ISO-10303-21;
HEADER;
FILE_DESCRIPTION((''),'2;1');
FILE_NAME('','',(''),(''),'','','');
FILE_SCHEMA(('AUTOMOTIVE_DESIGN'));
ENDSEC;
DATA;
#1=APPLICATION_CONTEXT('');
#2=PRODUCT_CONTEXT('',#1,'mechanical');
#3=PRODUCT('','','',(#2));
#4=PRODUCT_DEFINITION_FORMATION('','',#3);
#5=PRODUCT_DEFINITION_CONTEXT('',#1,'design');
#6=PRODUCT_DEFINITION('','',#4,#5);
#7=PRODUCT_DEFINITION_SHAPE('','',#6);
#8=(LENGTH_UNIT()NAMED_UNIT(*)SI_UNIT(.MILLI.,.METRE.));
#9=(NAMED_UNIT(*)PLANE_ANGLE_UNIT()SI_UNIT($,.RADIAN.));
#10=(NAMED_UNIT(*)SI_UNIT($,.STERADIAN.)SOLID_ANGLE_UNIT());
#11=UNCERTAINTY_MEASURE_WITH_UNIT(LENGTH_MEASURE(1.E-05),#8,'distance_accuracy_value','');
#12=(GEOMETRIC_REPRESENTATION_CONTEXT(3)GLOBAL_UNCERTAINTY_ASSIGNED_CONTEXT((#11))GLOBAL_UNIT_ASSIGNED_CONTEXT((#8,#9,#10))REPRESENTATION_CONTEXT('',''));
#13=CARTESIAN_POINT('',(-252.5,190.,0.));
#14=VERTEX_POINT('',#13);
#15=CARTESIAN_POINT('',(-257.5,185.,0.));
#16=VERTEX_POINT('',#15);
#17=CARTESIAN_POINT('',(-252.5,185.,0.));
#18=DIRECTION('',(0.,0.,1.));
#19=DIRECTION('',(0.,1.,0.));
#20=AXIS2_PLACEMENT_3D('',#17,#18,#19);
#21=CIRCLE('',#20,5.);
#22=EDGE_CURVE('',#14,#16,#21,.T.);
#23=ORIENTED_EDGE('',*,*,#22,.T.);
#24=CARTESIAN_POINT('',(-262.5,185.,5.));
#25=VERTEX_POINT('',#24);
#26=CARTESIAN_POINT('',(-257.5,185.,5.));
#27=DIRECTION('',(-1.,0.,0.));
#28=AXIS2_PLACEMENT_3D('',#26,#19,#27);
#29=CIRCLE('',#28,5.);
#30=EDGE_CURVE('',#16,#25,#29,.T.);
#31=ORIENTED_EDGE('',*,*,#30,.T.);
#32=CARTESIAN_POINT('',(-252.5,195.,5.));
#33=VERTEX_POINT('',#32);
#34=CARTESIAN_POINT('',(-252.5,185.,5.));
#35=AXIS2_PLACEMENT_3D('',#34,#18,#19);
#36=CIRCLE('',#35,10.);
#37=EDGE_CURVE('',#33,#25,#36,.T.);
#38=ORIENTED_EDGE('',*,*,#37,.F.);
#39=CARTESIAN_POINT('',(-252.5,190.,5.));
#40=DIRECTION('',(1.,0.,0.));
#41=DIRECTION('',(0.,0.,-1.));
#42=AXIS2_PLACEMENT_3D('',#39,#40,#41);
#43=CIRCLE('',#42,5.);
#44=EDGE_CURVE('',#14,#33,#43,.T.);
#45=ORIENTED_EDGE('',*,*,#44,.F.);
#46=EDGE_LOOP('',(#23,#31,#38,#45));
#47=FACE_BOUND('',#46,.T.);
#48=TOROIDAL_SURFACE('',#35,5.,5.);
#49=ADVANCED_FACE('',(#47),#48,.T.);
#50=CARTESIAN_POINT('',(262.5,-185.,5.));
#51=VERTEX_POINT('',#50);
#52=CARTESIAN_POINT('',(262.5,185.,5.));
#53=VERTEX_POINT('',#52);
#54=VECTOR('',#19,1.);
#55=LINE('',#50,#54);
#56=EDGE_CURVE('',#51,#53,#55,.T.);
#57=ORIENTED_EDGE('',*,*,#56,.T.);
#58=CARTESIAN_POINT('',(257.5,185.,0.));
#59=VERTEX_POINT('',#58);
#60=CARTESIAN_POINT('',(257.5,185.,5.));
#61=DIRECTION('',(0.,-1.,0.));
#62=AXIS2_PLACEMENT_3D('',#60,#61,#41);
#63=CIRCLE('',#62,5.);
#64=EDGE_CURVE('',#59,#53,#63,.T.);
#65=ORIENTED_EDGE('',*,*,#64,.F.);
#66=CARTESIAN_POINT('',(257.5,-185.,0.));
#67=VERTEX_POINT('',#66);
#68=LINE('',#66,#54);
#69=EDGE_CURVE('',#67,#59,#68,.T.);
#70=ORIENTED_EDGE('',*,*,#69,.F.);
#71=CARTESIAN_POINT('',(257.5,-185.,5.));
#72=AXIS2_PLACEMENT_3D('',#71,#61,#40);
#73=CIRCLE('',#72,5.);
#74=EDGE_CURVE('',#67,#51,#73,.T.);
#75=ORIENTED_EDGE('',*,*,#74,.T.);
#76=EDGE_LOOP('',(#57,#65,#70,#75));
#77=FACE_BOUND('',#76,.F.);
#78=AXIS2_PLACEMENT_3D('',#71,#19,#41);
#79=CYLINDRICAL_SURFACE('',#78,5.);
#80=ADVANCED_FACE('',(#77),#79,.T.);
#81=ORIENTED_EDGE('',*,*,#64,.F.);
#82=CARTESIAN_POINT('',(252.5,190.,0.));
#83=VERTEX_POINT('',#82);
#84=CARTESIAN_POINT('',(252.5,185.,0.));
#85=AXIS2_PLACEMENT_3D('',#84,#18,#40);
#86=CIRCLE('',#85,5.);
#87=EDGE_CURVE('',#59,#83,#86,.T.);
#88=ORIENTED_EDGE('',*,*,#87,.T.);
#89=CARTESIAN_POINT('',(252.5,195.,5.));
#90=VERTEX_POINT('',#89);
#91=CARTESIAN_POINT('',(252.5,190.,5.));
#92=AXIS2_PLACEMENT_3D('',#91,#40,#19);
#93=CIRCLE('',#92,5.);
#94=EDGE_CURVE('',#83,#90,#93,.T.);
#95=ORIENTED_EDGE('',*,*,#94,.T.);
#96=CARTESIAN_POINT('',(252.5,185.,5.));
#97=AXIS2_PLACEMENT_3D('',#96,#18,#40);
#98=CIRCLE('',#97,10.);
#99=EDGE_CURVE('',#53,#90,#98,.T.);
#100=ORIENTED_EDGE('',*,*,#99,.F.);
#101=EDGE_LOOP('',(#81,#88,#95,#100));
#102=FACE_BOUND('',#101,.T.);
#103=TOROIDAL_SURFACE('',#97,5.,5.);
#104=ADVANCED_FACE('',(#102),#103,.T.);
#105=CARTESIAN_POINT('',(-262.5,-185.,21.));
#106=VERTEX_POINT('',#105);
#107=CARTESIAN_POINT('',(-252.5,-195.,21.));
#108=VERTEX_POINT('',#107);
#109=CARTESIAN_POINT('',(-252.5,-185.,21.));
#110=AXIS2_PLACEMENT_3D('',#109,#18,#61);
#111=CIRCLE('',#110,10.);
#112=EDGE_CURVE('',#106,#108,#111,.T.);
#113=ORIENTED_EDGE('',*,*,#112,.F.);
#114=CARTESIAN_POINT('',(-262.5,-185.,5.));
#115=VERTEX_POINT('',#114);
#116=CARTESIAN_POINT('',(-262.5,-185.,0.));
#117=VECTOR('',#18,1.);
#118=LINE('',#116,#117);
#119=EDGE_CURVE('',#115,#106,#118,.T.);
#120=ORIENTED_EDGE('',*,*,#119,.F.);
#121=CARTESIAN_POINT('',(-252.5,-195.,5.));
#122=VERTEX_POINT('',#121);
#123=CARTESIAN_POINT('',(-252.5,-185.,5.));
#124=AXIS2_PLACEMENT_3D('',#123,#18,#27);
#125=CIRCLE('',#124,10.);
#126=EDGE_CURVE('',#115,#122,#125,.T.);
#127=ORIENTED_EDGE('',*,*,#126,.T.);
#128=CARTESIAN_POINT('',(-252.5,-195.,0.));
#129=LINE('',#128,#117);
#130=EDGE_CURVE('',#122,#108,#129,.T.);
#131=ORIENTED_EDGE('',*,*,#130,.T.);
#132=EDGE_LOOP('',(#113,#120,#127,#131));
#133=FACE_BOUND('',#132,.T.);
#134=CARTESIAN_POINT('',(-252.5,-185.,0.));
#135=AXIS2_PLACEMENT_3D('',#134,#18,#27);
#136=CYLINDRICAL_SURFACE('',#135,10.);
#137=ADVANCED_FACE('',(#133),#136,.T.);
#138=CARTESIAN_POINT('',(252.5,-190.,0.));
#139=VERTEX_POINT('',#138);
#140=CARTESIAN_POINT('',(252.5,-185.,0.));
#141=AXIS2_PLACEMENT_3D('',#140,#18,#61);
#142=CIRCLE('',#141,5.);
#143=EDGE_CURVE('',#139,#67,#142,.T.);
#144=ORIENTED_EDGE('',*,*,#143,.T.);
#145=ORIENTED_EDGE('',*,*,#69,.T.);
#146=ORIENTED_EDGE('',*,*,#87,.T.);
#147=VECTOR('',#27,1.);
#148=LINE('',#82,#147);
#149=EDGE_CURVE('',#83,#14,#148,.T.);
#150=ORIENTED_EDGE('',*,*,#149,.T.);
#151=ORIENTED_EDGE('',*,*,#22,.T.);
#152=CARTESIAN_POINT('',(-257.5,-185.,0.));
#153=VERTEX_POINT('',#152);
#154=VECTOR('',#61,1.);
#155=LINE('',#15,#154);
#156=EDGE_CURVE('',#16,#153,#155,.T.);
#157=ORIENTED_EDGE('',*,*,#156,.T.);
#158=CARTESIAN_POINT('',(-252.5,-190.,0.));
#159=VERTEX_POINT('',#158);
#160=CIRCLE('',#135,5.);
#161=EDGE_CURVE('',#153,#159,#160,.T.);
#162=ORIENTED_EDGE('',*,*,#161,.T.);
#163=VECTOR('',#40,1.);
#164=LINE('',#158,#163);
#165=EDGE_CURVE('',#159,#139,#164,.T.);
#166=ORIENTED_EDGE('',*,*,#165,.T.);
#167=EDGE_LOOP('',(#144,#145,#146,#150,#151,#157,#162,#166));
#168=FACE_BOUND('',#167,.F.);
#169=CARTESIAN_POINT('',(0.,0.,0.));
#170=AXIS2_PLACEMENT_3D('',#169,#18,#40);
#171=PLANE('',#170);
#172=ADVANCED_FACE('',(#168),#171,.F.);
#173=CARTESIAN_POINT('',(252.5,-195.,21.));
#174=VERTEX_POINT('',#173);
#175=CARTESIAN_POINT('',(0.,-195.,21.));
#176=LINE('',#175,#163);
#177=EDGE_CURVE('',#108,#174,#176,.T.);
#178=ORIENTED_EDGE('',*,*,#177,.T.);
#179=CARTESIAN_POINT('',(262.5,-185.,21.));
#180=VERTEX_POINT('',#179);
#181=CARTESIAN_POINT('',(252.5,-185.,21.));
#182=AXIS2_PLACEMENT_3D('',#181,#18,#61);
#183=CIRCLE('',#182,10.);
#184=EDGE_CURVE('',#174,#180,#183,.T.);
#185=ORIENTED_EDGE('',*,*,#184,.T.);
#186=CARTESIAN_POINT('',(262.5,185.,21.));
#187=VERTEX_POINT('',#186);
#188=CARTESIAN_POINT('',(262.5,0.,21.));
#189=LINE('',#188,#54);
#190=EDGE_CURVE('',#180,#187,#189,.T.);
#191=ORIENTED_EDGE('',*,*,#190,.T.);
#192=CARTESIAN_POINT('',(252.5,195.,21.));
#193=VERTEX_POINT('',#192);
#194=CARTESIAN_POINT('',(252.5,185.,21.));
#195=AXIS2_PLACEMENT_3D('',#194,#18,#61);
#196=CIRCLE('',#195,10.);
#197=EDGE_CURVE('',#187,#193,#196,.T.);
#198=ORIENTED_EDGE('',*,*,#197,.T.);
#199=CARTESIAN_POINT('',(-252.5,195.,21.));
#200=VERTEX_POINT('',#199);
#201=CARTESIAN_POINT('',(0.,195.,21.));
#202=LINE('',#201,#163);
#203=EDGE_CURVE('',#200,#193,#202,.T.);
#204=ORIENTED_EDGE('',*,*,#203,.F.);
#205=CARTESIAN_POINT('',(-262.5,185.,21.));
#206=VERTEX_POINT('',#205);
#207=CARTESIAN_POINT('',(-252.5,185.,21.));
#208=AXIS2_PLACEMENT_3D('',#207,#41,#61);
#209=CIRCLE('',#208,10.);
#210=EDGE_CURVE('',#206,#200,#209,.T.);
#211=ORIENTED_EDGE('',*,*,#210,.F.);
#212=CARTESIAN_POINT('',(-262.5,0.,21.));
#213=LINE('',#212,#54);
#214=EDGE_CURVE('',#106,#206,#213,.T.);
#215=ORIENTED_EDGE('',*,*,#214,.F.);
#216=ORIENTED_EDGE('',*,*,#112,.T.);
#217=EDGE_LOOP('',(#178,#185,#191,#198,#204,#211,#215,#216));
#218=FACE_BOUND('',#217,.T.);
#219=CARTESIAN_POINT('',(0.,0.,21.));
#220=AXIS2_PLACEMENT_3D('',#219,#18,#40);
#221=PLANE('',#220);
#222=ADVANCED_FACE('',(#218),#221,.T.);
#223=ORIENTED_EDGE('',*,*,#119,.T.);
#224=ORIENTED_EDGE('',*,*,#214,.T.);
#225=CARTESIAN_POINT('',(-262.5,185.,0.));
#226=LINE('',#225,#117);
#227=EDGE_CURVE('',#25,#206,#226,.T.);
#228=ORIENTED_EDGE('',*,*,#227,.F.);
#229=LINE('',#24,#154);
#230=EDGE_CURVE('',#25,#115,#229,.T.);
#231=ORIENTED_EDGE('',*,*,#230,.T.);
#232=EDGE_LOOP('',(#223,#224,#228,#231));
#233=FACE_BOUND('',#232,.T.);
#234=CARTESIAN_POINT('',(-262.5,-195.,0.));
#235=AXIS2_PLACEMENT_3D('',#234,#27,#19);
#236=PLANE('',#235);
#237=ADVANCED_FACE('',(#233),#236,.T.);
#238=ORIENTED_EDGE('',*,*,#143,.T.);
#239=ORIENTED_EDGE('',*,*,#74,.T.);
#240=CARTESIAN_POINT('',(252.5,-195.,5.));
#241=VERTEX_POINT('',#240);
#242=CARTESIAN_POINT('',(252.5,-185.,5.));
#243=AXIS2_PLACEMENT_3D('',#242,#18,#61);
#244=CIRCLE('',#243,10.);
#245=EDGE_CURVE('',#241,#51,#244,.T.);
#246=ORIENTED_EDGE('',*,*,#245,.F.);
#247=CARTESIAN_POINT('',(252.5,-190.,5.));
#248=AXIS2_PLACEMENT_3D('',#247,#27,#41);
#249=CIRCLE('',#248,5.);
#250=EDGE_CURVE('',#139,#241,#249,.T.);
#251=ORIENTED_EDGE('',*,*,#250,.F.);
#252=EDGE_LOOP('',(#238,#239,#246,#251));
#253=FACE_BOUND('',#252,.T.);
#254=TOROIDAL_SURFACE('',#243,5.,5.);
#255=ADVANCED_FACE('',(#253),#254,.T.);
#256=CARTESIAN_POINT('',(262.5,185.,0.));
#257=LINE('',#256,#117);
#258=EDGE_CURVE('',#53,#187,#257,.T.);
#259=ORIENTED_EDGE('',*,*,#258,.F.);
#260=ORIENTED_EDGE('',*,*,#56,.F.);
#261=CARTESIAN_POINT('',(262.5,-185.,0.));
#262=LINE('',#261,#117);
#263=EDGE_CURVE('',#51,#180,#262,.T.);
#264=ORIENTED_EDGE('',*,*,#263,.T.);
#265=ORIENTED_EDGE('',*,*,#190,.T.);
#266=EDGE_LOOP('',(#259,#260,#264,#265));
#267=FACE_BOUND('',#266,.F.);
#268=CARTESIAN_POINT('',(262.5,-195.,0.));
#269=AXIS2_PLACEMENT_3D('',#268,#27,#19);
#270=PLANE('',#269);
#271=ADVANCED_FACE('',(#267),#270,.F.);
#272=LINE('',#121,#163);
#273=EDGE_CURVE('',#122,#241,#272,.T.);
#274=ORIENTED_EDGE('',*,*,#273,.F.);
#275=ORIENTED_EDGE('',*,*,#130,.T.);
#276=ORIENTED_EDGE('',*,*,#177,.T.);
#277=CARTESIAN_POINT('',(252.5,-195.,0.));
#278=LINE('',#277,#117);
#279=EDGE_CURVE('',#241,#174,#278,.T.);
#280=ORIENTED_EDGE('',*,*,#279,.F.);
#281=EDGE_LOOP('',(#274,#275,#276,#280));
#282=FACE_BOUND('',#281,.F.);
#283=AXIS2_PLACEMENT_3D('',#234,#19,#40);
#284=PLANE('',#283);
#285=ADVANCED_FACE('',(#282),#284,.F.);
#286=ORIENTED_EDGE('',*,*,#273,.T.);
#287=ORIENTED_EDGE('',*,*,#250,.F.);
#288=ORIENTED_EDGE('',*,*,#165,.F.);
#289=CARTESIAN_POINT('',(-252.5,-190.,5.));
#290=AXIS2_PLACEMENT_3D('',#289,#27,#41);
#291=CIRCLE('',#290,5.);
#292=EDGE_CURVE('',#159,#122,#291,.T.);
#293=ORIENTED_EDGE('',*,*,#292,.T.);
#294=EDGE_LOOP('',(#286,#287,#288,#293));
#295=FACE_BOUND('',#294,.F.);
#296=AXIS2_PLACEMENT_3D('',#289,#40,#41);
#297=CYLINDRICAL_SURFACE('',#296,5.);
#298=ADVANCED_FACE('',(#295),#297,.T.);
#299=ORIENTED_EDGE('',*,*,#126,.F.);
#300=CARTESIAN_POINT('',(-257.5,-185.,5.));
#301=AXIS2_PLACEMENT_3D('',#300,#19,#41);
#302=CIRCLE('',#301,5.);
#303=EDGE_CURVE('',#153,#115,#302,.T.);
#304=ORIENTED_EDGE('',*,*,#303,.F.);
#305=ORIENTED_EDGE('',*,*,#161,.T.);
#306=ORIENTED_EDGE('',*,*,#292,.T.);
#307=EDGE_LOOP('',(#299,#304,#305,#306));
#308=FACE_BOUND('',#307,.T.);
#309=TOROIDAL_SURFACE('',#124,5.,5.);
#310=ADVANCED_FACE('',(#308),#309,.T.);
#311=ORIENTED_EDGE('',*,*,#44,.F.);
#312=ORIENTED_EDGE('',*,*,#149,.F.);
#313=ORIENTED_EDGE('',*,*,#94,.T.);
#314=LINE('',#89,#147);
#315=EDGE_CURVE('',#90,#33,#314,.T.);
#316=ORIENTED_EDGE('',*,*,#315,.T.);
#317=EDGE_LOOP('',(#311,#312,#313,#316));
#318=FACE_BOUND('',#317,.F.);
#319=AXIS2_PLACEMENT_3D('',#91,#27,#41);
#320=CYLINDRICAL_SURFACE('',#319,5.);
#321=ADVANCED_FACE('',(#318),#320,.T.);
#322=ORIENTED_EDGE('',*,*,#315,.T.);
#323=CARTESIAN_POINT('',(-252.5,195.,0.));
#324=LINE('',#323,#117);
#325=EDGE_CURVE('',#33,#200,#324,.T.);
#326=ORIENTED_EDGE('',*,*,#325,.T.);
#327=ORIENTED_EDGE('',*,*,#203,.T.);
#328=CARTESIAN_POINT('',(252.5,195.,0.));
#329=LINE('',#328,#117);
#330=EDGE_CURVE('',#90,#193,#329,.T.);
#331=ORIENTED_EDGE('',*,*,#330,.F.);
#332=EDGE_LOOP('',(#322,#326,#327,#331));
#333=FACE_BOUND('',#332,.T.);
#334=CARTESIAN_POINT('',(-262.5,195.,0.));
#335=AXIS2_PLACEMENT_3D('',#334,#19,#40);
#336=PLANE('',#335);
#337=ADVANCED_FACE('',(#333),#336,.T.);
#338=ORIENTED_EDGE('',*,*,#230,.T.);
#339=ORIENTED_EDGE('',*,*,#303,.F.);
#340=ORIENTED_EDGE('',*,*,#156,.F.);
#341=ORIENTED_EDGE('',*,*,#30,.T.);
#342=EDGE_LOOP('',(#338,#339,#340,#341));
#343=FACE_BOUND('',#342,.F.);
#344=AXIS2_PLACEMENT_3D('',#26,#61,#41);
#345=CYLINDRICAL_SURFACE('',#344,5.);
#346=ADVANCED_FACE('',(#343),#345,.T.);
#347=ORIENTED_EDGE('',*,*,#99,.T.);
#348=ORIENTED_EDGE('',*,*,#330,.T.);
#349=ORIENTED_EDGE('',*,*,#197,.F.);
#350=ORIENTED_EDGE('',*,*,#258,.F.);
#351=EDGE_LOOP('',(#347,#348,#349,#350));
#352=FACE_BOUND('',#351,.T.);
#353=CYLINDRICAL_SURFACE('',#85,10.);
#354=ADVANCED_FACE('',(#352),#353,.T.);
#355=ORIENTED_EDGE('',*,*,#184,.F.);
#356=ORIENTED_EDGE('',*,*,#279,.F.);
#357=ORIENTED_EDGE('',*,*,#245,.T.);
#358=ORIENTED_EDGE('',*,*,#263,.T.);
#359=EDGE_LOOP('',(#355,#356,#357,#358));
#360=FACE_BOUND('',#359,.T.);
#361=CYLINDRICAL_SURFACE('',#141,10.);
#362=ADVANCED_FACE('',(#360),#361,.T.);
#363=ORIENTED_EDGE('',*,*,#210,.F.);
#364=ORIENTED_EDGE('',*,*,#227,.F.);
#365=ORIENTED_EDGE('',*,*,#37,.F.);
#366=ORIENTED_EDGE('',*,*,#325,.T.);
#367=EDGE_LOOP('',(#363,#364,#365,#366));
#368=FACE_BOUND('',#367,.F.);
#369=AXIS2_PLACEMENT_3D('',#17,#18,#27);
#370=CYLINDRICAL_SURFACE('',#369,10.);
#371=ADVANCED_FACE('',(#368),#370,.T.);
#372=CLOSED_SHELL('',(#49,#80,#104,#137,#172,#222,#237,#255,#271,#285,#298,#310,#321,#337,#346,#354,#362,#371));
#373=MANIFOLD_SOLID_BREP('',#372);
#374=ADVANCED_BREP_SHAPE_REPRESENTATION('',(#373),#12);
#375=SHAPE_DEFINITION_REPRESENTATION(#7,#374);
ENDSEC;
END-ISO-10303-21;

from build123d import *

# Parameters (mm, degrees)
F0_W     = 525
F0_H     = 390
F1_DEPTH = 21
F2_R     = 10
F3_R     = 5


with BuildPart() as f1:
    # F0 (on Top) → F1 (new body)
    with BuildSketch(Plane.XY):
        Rectangle(F0_W, F0_H)
    extrude(amount=F1_DEPTH)

    # F2
    f2_edges = [f1.edges().sort_by_distance(p)[0] for p in [
        (-262.5, 195, 10.5),
        (262.5, 195, 10.5),
        (262.5, -195, 10.5),
        (-262.5, -195, 10.5),
    ]]
    fillet(f2_edges, radius=F2_R)

    # F3
    f3_edges = [f1.edges().sort_by_distance(p)[0] for p in [
        (0, -195, 0),
    ]]
    fillet(f3_edges, radius=F3_R)


solid = f1.part
